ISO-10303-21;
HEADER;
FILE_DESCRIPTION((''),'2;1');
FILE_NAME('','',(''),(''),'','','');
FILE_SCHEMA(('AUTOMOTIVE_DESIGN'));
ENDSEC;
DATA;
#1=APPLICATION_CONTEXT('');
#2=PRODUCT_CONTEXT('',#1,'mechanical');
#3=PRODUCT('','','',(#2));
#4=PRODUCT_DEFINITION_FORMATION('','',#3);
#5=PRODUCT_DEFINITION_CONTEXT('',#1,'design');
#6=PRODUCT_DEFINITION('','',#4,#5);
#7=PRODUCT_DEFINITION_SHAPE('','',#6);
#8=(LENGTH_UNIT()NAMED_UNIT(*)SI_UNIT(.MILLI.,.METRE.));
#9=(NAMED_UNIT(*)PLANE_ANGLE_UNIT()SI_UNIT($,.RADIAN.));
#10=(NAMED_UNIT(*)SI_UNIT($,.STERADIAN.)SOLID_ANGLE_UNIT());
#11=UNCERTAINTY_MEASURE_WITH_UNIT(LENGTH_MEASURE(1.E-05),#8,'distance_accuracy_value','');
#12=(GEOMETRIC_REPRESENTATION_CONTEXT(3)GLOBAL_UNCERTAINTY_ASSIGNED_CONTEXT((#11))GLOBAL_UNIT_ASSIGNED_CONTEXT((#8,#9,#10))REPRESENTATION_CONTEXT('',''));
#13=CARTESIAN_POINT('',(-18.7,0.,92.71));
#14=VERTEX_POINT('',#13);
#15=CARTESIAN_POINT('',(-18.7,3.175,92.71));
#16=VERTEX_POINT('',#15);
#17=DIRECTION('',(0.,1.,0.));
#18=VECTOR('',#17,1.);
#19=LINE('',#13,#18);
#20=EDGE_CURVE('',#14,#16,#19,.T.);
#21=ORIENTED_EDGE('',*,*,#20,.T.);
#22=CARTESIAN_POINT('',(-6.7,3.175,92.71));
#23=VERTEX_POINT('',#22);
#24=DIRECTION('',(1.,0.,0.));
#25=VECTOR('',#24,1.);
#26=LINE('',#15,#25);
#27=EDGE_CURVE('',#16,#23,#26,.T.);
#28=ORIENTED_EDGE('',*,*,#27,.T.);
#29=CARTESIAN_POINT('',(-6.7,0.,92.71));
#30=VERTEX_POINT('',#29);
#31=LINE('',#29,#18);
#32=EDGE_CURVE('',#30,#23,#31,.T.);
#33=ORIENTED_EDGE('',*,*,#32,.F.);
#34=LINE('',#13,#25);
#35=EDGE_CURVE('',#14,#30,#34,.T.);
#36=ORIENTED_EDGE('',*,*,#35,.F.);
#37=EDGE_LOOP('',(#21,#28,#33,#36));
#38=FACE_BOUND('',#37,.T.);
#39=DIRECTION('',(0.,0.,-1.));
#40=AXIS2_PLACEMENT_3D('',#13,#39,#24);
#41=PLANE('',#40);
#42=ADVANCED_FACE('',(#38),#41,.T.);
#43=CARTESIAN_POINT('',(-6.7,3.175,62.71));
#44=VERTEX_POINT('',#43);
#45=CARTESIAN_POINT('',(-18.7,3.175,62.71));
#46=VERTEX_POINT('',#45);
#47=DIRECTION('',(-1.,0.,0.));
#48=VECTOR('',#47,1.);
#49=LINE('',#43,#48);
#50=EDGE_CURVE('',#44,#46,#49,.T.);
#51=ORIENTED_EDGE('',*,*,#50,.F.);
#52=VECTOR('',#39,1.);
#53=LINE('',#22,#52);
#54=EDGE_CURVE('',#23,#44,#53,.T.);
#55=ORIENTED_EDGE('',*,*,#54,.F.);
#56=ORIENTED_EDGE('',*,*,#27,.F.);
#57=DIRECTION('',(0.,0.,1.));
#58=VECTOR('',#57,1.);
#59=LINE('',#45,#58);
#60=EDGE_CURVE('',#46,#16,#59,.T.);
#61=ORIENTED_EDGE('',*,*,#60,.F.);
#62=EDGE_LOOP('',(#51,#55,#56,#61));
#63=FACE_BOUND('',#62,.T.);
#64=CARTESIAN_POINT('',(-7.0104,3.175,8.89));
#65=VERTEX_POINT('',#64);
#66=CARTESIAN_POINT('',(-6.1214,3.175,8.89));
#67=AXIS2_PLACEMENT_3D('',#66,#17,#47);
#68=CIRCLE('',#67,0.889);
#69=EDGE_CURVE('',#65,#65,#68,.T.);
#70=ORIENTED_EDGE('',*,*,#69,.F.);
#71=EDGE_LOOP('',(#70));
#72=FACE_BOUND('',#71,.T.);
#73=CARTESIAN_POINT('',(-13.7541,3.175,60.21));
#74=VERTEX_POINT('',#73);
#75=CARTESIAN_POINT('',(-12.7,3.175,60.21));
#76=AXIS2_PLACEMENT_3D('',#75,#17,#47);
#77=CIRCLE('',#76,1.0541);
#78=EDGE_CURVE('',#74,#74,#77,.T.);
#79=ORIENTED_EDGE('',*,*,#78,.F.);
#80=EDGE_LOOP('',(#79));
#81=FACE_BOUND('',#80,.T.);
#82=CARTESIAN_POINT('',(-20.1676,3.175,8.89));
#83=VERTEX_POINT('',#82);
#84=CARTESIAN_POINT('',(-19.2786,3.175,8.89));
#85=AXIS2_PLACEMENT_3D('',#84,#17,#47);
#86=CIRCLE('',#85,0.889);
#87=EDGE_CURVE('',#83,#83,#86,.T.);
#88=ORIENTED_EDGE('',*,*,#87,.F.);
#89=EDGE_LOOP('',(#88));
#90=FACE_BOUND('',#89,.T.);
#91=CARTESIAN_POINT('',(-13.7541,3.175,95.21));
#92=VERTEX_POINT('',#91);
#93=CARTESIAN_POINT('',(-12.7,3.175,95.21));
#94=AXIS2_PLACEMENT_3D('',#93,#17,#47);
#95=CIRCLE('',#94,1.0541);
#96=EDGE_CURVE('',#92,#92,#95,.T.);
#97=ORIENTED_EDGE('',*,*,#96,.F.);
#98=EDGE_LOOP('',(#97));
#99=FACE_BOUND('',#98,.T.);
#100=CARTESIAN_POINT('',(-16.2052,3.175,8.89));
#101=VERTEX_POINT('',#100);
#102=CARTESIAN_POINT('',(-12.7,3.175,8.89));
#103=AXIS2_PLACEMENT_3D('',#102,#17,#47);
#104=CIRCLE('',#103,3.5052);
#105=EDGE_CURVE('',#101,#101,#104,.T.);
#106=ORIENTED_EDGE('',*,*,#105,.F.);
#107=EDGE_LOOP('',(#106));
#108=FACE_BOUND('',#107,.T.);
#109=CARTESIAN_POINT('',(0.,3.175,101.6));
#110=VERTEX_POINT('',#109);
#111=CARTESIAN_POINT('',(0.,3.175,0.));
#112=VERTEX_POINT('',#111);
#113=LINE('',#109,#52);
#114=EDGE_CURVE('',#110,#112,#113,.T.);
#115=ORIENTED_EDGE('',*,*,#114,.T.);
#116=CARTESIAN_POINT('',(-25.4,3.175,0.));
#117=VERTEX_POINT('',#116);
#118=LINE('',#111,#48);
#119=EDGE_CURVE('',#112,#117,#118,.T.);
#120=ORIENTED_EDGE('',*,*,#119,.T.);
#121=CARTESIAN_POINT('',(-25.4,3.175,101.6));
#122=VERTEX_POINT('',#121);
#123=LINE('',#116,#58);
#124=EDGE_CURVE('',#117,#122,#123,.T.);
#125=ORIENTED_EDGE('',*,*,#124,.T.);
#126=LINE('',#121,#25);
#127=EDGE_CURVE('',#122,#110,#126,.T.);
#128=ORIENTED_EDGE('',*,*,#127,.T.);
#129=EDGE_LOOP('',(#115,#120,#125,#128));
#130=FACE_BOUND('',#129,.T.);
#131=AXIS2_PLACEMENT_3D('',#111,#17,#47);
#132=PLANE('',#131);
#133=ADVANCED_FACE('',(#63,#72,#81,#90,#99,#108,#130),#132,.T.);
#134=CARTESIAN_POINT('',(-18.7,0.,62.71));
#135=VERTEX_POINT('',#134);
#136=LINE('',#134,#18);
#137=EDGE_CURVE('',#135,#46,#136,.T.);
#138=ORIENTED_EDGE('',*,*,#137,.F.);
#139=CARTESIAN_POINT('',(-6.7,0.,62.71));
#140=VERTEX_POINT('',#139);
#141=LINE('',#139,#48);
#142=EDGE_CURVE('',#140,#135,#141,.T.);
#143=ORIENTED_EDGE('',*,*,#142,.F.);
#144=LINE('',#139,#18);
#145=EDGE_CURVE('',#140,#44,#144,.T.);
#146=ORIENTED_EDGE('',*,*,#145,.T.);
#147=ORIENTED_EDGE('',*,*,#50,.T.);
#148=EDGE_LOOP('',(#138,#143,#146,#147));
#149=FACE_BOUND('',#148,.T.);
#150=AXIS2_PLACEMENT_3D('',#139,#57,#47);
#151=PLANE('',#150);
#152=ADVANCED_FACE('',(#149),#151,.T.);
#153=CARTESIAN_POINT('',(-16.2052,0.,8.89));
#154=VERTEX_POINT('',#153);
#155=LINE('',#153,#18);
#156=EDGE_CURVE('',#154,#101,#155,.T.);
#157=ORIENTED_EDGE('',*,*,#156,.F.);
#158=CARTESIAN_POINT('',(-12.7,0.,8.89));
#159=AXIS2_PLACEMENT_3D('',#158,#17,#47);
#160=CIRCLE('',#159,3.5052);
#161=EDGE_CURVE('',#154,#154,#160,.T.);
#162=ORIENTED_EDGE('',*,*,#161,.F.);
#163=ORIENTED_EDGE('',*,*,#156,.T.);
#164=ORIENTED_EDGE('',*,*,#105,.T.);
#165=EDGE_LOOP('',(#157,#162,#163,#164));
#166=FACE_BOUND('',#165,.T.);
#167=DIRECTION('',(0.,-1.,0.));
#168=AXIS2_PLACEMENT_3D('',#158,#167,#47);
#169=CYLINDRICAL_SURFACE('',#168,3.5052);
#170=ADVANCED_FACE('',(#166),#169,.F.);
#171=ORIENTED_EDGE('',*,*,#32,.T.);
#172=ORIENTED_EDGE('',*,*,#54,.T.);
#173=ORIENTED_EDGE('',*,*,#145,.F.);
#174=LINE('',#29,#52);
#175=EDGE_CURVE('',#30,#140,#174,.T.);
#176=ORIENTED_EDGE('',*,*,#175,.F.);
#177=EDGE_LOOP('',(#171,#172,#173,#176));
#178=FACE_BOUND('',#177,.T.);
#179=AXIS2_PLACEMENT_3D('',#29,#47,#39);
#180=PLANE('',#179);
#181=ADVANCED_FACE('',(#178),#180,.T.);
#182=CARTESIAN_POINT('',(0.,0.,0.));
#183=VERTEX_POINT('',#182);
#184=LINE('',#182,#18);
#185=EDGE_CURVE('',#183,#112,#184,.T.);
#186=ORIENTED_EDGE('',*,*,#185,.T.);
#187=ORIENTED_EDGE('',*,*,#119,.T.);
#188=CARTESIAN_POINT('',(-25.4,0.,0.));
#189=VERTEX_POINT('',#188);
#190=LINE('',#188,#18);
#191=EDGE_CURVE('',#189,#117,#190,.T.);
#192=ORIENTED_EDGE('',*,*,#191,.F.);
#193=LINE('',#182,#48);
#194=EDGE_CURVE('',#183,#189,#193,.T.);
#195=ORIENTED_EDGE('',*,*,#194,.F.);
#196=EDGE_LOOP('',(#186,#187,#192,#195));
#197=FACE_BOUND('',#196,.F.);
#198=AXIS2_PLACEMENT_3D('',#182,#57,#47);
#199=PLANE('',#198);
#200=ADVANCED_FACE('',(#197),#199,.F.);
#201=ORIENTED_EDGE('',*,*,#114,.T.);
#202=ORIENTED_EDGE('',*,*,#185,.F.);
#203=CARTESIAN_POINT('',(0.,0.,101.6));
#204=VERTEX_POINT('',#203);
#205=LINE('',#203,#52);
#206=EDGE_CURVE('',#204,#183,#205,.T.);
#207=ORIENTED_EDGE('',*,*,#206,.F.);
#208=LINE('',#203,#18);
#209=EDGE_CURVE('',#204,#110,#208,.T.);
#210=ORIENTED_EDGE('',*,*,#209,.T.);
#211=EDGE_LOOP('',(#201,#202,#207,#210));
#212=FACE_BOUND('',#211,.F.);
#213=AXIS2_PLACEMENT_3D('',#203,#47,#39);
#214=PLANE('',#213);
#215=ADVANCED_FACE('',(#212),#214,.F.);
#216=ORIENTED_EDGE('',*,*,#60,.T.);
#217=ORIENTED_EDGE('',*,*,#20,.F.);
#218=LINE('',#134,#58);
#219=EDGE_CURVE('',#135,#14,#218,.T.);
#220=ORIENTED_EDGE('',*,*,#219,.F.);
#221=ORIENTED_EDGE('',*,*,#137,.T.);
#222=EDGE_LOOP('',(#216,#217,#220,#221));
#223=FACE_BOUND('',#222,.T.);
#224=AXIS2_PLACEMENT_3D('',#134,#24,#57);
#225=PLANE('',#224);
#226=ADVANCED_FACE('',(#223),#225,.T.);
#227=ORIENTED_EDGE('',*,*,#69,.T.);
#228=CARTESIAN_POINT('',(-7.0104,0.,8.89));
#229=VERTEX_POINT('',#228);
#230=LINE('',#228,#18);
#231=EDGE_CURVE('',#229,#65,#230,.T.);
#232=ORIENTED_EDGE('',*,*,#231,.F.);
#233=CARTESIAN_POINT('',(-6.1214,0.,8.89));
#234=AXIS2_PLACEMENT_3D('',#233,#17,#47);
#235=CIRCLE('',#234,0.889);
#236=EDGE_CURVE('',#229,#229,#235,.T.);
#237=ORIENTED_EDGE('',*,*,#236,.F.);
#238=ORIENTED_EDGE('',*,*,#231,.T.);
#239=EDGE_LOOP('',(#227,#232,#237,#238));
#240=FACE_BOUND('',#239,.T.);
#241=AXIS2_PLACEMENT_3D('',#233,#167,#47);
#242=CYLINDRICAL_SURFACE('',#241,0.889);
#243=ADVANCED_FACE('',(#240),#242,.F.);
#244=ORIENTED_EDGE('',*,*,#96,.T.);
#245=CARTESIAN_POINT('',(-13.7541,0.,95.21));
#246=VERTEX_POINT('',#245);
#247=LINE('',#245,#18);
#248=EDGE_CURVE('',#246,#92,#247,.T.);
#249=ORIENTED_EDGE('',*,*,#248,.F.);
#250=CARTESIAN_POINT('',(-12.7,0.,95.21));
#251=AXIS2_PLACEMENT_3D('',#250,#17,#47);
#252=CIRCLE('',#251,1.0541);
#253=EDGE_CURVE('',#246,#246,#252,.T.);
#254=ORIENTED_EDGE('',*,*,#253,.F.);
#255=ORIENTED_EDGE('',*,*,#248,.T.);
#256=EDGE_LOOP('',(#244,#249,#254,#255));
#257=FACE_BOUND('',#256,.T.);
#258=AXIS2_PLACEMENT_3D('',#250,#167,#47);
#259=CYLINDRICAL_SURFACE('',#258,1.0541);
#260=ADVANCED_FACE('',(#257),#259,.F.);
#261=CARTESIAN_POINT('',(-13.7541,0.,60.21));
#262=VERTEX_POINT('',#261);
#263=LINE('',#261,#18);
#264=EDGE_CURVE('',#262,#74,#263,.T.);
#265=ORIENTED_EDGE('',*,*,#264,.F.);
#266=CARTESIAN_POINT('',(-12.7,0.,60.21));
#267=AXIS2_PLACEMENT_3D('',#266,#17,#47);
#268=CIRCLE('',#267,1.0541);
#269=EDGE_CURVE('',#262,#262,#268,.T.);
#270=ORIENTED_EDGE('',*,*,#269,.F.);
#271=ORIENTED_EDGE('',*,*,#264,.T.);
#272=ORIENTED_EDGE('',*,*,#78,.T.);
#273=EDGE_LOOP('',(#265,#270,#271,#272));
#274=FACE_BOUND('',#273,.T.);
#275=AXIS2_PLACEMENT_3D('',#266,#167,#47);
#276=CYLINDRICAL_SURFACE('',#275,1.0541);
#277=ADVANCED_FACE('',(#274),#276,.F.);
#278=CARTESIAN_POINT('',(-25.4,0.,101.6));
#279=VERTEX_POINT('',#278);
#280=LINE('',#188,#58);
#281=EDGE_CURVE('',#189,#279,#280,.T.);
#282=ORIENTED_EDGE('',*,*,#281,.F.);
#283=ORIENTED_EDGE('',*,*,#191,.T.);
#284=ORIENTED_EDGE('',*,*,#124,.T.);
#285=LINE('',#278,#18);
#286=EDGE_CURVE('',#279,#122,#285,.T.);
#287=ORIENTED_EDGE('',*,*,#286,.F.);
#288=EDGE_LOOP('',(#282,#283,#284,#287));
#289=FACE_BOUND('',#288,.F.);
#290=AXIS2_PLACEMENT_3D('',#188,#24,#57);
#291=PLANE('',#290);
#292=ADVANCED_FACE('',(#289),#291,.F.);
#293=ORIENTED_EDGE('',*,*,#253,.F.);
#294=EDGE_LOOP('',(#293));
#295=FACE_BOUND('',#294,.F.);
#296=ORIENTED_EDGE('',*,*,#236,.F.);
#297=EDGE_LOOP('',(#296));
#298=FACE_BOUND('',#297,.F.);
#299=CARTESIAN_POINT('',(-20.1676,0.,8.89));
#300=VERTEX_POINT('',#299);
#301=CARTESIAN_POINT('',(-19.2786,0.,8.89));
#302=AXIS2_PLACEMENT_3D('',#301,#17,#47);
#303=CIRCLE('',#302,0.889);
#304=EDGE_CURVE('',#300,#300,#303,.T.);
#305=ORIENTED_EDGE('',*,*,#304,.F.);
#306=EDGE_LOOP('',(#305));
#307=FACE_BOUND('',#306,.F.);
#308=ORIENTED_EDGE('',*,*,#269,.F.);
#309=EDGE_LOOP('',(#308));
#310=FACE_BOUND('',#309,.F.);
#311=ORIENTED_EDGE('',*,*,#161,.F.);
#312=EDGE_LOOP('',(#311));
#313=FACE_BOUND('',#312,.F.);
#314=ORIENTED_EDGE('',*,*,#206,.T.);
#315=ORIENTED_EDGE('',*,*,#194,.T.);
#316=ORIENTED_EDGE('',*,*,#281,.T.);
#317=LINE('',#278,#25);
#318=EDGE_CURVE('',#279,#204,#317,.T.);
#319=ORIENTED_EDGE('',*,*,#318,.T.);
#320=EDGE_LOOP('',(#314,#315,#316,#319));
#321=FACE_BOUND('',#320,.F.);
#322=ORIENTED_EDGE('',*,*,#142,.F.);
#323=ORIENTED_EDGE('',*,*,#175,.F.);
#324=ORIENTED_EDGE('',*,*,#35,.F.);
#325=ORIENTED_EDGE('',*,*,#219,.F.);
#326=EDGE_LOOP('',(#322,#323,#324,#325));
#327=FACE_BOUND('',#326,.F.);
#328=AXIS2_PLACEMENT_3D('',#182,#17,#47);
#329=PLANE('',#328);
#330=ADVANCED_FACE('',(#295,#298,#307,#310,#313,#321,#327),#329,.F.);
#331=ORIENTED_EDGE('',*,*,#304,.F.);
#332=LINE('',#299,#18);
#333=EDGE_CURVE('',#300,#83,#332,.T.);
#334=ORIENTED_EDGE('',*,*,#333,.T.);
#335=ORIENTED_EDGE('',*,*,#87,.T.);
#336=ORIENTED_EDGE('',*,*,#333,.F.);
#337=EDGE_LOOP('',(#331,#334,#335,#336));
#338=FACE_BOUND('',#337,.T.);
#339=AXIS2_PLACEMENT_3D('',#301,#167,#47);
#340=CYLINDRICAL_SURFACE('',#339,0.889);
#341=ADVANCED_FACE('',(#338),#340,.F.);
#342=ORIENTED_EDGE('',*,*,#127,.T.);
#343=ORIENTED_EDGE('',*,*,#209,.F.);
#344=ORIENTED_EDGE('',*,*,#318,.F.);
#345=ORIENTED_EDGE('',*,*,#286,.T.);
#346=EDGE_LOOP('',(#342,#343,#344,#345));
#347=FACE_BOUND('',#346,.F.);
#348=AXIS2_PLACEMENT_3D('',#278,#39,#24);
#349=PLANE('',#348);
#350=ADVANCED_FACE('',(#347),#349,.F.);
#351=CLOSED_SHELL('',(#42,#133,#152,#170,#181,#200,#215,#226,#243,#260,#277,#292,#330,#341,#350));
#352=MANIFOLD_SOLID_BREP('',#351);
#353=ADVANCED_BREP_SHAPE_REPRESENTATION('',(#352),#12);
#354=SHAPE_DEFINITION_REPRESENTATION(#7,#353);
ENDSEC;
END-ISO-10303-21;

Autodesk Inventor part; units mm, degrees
ref_plane "YZ Plane" through (0, 0, 0) normal (1, 0, 0) x (0, 1, 0)
ref_plane "XZ Plane" through (0, 0, 0) normal (0, 1, 0) x (-1, 0, 0)
ref_plane "XY Plane" through (0, 0, 0) normal (0, 0, 1) x (1, 0, 0)
sketch "Sketch1" plane through (0, 0, 0) normal (0, 1, 0) x (-1, 0, 0)
  line L0 (0, 0) -> (25.4, 0)
  line L1 (25.4, 0) -> (25.4, 101.6)
  line L2 (25.4, 101.6) -> (0, 101.6)
  line L3 (0, 101.6) -> (0, 0)
  circle A0 centre (12.7, 8.89) radius 3.5052
  circle A1 centre (6.1214, 8.89) radius 0.889
  circle A2 centre (19.2786, 8.89) radius 0.889
  line L4 (6.7, 62.71) -> (18.7, 62.71)
  line L5 (18.7, 62.71) -> (18.7, 92.71)
  line L6 (18.7, 92.71) -> (6.7, 92.71)
  line L7 (6.7, 92.71) -> (6.7, 62.71)
  circle A3 centre (12.7, 95.21) radius 1.0541
  circle A4 centre (12.7, 60.21) radius 1.0541
  dimension "d0" = 25.4
  dimension "d1" = 101.6
  dimension "d2" = 7.0104
  dimension "d3" = 8.89
  dimension "d4" = 12.7
  dimension "d5" = 1.778
  dimension "d6" = 1.778
  dimension "d7" = 13.1572
  dimension "d8" = 6.5786
  dimension "d9" = 8.89
  dimension "d10" = 8.89
  dimension "d11" = 12
  dimension "d12" = 30
  dimension "d13" = 8.89
  dimension "d14" = 6.7
  dimension "d15" = 2.1082
  dimension "d16" = 2.1082
  dimension "d17" = 6
  dimension "d18" = 6
  dimension "d19" = 35
  dimension "d20" = 2.5
extrude "Extrusion1" add sketch "Sketch1" along normal blind 3.175
equation "\"d0\" = armWidth"
equation "\"d1\" = armLength"
equation "\"d2\" = hornCenter"
equation "\"d3\" = hornOffset"
equation "\"d4\" = 0.5 * armWidth"
equation "\"d5\" = hornHole"
equation "\"d6\" = hornHole"
equation "\"d7\" = hornDia"
equation "\"d8\" = 0.5 * hornDia"
equation "\"d9\" = hornOffset"
equation "\"d10\" = hornOffset"
equation "\"d11\" = servoWidth"
equation "\"d12\" = servoLength"
equation "\"d13\" = servoOff"
equation "\"d14\" = -0.5 * servoWidth + 0.5 * armWidth"
equation "\"d15\" = servoHole"
equation "\"d16\" = servoHole"
equation "\"d17\" = 0.5 * servoWidth"
equation "\"d18\" = 0.5 * servoWidth"
equation "\"d19\" = servoDist"
equation "\"d20\" = -0.5 * servoLength + 0.5 * servoDist"
equation "\"d21\" = thick"
equation "\"thick\" = 3.175"
equation "\"hornCenter\" = 7.0104"
equation "\"hornDia\" = 13.1572"
equation "\"hornOffset\" = 8.89"
equation "\"hornHole\" = 1.778"
equation "\"servoLength\" = 30"
equation "\"servoWidth\" = 12"
equation "\"servoDist\" = 35"
equation "\"servoHole\" = 2.1082"
equation "\"servoOff\" = 8.89"
equation "\"armWidth\" = 25.4"
equation "\"armLength\" = 101.6"
properties part number "UpperArm"
